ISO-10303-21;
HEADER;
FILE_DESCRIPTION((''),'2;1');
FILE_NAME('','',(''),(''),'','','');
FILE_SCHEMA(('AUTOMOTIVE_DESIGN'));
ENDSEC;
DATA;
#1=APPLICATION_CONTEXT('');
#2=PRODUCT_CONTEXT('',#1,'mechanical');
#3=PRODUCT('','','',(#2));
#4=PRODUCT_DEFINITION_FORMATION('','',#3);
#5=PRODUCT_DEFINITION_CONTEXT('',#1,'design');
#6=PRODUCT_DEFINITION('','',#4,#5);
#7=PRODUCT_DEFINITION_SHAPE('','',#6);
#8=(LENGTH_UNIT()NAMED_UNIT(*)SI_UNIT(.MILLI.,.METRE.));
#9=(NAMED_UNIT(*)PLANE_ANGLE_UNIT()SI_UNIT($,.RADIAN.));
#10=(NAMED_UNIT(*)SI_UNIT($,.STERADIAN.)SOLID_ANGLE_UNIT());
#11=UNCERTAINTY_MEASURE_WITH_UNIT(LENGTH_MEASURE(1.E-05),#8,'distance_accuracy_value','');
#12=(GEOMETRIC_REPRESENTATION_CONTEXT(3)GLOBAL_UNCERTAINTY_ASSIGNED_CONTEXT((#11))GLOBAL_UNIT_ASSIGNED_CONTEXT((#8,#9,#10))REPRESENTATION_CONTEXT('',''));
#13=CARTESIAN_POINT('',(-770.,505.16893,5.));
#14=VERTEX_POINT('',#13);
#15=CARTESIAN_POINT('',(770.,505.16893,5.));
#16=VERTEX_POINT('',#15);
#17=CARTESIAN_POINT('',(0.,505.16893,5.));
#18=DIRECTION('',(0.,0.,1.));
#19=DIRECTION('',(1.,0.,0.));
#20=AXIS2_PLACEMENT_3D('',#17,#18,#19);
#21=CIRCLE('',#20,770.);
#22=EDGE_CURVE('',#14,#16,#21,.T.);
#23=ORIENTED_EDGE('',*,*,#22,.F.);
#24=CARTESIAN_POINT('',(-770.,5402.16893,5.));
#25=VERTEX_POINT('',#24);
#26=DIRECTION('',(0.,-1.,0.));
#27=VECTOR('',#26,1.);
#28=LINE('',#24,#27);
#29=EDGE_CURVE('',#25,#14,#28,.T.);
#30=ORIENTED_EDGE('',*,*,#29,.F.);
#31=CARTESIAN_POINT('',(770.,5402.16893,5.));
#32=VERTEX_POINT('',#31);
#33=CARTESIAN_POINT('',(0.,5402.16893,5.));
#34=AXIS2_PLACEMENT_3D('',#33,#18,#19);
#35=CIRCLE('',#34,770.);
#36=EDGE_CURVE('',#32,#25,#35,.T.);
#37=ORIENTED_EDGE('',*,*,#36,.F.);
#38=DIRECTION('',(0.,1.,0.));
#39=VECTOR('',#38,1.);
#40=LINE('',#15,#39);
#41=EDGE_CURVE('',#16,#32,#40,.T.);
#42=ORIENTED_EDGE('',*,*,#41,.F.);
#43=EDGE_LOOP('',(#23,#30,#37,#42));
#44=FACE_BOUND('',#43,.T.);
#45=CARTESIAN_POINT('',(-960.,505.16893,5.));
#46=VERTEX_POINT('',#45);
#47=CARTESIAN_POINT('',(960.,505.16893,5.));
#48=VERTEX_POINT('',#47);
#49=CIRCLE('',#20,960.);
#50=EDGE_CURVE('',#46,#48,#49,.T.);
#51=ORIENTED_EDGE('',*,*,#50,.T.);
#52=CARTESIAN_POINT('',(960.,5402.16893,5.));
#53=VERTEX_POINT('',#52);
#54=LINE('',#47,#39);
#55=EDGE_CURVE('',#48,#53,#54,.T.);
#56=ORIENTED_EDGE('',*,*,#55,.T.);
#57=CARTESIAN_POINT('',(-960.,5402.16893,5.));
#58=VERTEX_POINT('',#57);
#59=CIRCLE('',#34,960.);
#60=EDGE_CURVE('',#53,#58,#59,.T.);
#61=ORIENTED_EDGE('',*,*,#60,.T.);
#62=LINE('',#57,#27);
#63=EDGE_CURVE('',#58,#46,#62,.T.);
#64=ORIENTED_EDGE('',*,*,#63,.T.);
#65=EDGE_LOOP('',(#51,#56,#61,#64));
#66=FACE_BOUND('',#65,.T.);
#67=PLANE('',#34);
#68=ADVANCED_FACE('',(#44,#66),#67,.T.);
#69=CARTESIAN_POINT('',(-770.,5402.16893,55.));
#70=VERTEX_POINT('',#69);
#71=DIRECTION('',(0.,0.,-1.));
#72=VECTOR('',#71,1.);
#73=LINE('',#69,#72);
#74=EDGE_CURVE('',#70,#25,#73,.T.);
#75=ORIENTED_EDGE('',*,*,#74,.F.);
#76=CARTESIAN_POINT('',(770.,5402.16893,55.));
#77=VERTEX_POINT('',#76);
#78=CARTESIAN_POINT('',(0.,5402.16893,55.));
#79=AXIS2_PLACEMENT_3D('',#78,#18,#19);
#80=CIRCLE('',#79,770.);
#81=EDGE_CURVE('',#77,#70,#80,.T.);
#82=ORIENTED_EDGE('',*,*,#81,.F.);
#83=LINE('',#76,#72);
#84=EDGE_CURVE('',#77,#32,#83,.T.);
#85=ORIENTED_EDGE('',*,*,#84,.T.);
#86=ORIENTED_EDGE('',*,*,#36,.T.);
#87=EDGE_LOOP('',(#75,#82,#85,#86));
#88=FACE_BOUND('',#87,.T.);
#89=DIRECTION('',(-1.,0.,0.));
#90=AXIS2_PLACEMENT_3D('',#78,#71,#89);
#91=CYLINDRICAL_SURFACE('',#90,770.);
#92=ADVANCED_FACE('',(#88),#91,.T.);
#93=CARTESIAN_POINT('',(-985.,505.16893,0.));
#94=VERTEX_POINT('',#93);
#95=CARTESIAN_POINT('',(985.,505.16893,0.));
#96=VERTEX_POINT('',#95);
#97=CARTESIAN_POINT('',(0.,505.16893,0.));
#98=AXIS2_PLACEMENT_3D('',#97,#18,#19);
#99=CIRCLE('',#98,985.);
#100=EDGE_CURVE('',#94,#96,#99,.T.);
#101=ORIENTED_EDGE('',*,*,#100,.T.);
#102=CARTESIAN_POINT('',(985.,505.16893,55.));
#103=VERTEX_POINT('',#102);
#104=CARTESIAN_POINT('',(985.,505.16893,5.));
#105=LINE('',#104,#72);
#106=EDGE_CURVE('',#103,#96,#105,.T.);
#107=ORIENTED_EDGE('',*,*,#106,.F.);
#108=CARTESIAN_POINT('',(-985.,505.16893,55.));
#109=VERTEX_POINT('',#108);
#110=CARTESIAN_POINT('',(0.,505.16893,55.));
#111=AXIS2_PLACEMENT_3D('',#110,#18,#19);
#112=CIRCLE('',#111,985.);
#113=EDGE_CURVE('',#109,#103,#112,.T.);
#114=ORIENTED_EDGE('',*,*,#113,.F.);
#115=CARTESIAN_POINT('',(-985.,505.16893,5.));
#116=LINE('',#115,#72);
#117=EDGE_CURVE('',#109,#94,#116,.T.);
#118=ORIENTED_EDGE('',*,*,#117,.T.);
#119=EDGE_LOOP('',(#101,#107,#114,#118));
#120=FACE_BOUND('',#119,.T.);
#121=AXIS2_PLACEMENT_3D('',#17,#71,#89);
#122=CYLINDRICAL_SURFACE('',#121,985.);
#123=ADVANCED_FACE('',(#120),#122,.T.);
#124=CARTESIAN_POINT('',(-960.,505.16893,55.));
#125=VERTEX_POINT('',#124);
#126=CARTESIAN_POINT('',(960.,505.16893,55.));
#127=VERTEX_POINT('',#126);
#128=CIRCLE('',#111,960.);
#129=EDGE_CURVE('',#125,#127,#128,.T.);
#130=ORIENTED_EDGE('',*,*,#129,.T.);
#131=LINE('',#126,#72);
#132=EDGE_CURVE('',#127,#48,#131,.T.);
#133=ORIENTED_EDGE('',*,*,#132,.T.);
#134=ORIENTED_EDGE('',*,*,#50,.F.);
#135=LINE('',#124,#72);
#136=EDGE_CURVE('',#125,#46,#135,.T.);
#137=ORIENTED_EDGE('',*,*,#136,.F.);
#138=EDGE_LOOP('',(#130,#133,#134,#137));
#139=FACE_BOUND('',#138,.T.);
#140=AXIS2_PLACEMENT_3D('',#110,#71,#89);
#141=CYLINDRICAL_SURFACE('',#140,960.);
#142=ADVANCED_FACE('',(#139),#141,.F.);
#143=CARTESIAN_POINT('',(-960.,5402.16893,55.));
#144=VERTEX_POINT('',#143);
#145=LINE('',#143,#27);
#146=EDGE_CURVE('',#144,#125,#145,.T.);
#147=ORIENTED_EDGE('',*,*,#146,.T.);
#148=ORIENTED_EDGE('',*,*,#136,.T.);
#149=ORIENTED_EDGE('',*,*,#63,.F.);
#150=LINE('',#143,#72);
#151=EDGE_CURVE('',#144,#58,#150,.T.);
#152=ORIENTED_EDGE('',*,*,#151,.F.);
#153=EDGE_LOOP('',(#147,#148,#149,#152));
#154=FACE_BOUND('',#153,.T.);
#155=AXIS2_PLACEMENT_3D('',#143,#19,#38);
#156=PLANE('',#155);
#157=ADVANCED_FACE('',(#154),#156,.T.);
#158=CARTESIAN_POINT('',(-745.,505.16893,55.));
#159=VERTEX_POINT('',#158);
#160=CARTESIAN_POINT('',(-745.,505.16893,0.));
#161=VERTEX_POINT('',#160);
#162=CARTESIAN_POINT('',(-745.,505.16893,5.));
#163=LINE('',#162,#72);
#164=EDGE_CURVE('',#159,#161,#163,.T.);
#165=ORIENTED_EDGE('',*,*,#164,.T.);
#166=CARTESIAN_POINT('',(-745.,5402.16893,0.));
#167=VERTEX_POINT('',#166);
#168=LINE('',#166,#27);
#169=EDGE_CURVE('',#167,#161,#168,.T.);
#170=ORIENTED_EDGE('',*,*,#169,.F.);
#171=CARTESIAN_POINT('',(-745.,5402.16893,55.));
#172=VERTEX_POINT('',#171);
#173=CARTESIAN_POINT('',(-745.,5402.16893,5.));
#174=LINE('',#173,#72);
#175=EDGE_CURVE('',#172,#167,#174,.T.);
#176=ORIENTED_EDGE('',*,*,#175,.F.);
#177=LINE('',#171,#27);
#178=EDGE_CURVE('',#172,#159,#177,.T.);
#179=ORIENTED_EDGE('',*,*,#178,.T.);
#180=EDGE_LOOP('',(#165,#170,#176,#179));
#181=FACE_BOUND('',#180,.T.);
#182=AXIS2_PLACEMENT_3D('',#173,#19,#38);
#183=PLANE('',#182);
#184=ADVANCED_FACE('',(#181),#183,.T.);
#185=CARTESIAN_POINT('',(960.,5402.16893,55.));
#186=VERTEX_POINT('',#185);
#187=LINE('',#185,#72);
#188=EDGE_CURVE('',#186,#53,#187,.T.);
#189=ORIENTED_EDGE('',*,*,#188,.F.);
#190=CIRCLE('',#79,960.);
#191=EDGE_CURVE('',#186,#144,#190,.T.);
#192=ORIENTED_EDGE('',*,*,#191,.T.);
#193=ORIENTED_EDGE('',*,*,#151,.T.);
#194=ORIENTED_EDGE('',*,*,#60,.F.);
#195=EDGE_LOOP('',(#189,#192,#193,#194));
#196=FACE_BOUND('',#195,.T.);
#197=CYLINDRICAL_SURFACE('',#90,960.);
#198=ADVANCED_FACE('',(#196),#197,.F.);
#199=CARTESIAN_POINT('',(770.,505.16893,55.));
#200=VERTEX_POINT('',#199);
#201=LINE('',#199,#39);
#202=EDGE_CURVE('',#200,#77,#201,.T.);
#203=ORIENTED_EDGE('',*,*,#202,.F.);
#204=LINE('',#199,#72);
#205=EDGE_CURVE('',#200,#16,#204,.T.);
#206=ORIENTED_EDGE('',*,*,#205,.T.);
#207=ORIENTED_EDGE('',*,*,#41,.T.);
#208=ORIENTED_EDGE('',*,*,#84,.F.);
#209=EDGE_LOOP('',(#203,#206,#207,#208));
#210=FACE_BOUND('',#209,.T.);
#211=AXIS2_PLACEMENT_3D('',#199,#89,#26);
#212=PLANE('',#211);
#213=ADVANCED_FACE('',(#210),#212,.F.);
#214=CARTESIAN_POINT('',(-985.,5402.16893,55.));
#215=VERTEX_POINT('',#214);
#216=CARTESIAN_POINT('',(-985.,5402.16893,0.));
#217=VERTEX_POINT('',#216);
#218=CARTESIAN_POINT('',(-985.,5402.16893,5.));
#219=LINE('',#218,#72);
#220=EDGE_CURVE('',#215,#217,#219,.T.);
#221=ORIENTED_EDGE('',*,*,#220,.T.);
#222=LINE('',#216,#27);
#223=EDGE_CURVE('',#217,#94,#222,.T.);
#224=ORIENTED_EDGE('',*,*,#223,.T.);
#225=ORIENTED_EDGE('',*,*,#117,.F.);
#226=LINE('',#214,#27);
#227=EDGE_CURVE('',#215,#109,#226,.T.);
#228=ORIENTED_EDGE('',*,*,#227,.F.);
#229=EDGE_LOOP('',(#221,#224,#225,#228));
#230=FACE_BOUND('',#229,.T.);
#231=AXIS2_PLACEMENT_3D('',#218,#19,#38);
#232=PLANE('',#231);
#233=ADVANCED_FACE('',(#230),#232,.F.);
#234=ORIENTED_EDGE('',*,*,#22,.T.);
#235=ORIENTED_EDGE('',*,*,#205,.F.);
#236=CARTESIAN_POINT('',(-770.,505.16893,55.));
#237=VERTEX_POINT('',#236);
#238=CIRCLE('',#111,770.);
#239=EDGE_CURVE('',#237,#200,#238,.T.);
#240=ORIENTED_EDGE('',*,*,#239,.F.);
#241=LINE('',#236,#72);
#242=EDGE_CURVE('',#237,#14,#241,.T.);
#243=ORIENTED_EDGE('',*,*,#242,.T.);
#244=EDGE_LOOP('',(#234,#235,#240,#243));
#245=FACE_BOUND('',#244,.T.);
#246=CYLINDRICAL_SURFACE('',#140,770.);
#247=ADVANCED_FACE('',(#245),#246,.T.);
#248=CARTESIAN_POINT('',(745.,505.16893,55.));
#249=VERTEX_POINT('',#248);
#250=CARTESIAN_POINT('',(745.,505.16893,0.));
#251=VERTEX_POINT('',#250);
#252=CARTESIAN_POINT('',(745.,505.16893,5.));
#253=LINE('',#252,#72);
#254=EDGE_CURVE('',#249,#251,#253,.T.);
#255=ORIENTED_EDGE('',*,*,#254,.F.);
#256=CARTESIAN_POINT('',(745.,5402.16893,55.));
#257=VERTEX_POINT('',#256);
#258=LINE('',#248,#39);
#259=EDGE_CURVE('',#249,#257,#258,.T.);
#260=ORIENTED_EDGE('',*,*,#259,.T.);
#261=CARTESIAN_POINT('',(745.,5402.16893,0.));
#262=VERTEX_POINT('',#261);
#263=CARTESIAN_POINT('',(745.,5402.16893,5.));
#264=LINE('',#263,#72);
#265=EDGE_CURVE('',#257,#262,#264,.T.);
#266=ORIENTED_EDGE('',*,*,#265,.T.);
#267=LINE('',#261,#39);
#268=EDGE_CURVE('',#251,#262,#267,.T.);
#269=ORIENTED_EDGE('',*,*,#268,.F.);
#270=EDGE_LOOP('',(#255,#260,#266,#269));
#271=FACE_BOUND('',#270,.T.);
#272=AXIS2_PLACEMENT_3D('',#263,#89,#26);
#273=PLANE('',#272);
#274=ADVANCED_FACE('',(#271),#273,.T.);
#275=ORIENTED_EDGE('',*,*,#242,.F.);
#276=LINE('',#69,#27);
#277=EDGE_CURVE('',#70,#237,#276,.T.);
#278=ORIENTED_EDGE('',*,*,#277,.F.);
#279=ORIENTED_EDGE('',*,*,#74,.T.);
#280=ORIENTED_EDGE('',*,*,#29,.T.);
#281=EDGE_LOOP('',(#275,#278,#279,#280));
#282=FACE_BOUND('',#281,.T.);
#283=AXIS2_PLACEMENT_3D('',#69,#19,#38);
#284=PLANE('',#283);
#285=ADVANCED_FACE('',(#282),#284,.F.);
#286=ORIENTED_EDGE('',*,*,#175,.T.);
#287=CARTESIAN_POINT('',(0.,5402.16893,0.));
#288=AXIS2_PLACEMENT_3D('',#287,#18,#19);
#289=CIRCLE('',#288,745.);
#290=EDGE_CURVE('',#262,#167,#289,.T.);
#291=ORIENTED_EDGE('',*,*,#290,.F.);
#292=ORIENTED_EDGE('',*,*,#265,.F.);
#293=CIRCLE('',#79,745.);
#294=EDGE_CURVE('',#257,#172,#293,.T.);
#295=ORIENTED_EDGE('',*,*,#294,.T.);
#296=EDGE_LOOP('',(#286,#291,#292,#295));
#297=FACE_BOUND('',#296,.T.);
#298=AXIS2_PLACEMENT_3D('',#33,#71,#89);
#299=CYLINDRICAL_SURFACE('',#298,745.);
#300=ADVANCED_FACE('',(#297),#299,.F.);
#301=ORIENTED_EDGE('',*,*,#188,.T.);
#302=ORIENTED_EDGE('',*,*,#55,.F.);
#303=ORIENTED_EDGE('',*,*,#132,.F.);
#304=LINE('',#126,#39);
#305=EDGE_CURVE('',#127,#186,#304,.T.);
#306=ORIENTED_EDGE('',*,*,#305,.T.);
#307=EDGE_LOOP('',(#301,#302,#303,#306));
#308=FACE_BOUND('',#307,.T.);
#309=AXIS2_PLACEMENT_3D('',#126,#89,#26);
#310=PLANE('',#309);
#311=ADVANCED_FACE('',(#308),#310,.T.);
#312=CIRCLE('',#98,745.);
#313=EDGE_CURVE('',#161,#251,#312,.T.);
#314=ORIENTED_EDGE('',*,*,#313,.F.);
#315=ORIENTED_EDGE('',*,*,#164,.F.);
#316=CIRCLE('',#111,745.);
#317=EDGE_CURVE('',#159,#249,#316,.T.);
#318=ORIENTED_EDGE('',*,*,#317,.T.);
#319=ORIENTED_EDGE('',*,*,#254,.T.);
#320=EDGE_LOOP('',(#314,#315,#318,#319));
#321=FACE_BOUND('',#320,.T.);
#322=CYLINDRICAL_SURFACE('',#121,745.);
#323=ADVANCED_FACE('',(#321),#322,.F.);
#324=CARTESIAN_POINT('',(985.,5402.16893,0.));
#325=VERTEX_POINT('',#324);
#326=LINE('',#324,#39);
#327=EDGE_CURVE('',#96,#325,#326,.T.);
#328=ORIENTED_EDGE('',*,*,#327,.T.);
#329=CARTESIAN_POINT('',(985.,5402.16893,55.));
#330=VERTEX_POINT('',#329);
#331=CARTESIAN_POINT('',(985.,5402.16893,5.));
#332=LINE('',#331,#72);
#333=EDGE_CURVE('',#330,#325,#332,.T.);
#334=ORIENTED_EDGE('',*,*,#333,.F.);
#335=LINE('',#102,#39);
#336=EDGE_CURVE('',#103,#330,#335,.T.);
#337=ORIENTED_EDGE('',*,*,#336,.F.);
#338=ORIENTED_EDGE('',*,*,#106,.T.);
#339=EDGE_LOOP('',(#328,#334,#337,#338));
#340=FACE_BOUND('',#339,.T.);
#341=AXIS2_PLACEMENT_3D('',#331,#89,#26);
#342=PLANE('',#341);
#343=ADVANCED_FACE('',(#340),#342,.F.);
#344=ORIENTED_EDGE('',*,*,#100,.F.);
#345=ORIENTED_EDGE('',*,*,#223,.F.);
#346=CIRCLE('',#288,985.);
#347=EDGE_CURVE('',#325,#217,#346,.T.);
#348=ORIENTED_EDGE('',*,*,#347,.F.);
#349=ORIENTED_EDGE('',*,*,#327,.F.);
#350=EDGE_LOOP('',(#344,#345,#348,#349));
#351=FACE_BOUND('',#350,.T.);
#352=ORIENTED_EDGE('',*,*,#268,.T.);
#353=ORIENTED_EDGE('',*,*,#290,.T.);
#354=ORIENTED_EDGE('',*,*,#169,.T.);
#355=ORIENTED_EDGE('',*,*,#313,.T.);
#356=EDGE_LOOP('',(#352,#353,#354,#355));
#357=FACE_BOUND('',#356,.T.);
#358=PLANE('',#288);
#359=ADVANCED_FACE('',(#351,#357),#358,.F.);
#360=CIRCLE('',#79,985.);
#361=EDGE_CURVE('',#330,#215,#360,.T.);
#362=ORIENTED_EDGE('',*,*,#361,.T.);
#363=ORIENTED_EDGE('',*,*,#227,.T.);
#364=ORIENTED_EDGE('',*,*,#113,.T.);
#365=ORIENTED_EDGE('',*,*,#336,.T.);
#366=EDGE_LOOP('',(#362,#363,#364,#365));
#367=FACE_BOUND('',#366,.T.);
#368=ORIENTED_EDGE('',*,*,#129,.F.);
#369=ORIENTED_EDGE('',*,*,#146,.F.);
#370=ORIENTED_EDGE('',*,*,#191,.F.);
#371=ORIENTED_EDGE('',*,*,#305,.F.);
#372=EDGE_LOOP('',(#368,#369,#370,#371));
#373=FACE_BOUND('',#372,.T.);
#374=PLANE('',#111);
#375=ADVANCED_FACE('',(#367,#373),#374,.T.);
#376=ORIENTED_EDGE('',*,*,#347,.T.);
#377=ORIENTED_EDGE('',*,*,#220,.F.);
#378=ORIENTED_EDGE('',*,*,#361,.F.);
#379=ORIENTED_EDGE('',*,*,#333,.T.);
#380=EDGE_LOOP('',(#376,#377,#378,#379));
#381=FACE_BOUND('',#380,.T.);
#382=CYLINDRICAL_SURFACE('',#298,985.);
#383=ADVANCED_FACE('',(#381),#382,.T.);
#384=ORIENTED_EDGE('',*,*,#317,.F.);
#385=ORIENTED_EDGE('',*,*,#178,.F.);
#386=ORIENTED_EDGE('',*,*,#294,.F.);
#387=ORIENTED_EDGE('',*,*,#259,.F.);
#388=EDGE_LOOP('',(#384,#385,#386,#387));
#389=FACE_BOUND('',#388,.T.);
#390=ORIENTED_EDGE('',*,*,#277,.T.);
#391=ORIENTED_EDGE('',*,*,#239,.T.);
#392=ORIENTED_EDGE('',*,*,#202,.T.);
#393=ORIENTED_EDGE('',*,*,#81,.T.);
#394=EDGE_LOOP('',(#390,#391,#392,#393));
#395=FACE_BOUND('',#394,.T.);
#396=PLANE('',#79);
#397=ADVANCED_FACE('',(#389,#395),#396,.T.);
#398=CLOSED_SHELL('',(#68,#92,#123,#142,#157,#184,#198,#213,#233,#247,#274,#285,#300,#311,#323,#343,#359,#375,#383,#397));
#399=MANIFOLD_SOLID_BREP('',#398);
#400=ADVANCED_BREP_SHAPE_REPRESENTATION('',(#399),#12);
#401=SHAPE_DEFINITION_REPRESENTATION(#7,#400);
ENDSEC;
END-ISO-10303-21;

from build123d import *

# Parameters (mm, degrees)
BOSS_EXTRUDE1_DEPTH = 5
BOSS_EXTRUDE2_DEPTH = 50
BOSS_EXTRUDE3_DEPTH = 50


with BuildPart() as part:
    # Sketch1 → Boss-Extrude1 (new body)
    with BuildSketch(Plane.XY):
        with BuildLine():
            Line((-985, 5402.168929815), (-985, 505.168929815))
            ThreePointArc((-985, 505.168929815), (0, -479.831070185), (985, 505.168929815))
            Line((985, 505.168929815), (985, 5402.168929815))
            ThreePointArc((985, 5402.168929815), (0, 6387.168929815), (-985, 5402.168929815))
        make_face()
        with BuildLine():
            Line((-745, 5402.168929815), (-745, 505.168929815))
            ThreePointArc((-745, 505.168929815), (0, -239.831070185), (745, 505.168929815))
            Line((745, 505.168929815), (745, 5402.168929815))
            ThreePointArc((745, 5402.168929815), (0, 6147.168929815), (-745, 5402.168929815))
        make_face(mode=Mode.SUBTRACT)
    extrude(amount=BOSS_EXTRUDE1_DEPTH)

    # Sketch2 → Boss-Extrude2 (add)
    with BuildSketch(Plane.XY.offset(5)):
        with BuildLine():
            Line((-770, 5402.168929815), (-770, 505.168929815))
            ThreePointArc((-770, 505.168929815), (0, -264.831070185), (770, 505.168929815))
            Line((770, 505.168929815), (770, 5402.168929815))
            ThreePointArc((770, 5402.168929815), (0, 6172.168929815), (-770, 5402.168929815))
        make_face()
        with BuildLine():
            Line((745, 505.168929815), (745, 5402.168929815))
            ThreePointArc((745, 5402.168929815), (0, 6147.168929815), (-745, 5402.168929815))
            Line((-745, 5402.168929815), (-745, 505.168929815))
            ThreePointArc((-745, 505.168929815), (0, -239.831070185), (745, 505.168929815))
        make_face(mode=Mode.SUBTRACT)
    extrude(amount=BOSS_EXTRUDE2_DEPTH)

    # Sketch3 → Boss-Extrude3 (add)
    with BuildSketch(Plane.XY.offset(5)):
        with BuildLine():
            Line((985, 505.168929815), (985, 5402.168929815))
            ThreePointArc((985, 5402.168929815), (0, 6387.168929815), (-985, 5402.168929815))
            Line((-985, 5402.168929815), (-985, 505.168929815))
            ThreePointArc((-985, 505.168929815), (0, -479.831070185), (985, 505.168929815))
        make_face()
        with BuildLine():
            Line((-960, 5402.168929815), (-960, 505.168929815))
            ThreePointArc((-960, 505.168929815), (0, -454.831070185), (960, 505.168929815))
            Line((960, 505.168929815), (960, 5402.168929815))
            ThreePointArc((960, 5402.168929815), (0, 6362.168929815), (-960, 5402.168929815))
        make_face(mode=Mode.SUBTRACT)
    extrude(amount=BOSS_EXTRUDE3_DEPTH)


solid = part.part
